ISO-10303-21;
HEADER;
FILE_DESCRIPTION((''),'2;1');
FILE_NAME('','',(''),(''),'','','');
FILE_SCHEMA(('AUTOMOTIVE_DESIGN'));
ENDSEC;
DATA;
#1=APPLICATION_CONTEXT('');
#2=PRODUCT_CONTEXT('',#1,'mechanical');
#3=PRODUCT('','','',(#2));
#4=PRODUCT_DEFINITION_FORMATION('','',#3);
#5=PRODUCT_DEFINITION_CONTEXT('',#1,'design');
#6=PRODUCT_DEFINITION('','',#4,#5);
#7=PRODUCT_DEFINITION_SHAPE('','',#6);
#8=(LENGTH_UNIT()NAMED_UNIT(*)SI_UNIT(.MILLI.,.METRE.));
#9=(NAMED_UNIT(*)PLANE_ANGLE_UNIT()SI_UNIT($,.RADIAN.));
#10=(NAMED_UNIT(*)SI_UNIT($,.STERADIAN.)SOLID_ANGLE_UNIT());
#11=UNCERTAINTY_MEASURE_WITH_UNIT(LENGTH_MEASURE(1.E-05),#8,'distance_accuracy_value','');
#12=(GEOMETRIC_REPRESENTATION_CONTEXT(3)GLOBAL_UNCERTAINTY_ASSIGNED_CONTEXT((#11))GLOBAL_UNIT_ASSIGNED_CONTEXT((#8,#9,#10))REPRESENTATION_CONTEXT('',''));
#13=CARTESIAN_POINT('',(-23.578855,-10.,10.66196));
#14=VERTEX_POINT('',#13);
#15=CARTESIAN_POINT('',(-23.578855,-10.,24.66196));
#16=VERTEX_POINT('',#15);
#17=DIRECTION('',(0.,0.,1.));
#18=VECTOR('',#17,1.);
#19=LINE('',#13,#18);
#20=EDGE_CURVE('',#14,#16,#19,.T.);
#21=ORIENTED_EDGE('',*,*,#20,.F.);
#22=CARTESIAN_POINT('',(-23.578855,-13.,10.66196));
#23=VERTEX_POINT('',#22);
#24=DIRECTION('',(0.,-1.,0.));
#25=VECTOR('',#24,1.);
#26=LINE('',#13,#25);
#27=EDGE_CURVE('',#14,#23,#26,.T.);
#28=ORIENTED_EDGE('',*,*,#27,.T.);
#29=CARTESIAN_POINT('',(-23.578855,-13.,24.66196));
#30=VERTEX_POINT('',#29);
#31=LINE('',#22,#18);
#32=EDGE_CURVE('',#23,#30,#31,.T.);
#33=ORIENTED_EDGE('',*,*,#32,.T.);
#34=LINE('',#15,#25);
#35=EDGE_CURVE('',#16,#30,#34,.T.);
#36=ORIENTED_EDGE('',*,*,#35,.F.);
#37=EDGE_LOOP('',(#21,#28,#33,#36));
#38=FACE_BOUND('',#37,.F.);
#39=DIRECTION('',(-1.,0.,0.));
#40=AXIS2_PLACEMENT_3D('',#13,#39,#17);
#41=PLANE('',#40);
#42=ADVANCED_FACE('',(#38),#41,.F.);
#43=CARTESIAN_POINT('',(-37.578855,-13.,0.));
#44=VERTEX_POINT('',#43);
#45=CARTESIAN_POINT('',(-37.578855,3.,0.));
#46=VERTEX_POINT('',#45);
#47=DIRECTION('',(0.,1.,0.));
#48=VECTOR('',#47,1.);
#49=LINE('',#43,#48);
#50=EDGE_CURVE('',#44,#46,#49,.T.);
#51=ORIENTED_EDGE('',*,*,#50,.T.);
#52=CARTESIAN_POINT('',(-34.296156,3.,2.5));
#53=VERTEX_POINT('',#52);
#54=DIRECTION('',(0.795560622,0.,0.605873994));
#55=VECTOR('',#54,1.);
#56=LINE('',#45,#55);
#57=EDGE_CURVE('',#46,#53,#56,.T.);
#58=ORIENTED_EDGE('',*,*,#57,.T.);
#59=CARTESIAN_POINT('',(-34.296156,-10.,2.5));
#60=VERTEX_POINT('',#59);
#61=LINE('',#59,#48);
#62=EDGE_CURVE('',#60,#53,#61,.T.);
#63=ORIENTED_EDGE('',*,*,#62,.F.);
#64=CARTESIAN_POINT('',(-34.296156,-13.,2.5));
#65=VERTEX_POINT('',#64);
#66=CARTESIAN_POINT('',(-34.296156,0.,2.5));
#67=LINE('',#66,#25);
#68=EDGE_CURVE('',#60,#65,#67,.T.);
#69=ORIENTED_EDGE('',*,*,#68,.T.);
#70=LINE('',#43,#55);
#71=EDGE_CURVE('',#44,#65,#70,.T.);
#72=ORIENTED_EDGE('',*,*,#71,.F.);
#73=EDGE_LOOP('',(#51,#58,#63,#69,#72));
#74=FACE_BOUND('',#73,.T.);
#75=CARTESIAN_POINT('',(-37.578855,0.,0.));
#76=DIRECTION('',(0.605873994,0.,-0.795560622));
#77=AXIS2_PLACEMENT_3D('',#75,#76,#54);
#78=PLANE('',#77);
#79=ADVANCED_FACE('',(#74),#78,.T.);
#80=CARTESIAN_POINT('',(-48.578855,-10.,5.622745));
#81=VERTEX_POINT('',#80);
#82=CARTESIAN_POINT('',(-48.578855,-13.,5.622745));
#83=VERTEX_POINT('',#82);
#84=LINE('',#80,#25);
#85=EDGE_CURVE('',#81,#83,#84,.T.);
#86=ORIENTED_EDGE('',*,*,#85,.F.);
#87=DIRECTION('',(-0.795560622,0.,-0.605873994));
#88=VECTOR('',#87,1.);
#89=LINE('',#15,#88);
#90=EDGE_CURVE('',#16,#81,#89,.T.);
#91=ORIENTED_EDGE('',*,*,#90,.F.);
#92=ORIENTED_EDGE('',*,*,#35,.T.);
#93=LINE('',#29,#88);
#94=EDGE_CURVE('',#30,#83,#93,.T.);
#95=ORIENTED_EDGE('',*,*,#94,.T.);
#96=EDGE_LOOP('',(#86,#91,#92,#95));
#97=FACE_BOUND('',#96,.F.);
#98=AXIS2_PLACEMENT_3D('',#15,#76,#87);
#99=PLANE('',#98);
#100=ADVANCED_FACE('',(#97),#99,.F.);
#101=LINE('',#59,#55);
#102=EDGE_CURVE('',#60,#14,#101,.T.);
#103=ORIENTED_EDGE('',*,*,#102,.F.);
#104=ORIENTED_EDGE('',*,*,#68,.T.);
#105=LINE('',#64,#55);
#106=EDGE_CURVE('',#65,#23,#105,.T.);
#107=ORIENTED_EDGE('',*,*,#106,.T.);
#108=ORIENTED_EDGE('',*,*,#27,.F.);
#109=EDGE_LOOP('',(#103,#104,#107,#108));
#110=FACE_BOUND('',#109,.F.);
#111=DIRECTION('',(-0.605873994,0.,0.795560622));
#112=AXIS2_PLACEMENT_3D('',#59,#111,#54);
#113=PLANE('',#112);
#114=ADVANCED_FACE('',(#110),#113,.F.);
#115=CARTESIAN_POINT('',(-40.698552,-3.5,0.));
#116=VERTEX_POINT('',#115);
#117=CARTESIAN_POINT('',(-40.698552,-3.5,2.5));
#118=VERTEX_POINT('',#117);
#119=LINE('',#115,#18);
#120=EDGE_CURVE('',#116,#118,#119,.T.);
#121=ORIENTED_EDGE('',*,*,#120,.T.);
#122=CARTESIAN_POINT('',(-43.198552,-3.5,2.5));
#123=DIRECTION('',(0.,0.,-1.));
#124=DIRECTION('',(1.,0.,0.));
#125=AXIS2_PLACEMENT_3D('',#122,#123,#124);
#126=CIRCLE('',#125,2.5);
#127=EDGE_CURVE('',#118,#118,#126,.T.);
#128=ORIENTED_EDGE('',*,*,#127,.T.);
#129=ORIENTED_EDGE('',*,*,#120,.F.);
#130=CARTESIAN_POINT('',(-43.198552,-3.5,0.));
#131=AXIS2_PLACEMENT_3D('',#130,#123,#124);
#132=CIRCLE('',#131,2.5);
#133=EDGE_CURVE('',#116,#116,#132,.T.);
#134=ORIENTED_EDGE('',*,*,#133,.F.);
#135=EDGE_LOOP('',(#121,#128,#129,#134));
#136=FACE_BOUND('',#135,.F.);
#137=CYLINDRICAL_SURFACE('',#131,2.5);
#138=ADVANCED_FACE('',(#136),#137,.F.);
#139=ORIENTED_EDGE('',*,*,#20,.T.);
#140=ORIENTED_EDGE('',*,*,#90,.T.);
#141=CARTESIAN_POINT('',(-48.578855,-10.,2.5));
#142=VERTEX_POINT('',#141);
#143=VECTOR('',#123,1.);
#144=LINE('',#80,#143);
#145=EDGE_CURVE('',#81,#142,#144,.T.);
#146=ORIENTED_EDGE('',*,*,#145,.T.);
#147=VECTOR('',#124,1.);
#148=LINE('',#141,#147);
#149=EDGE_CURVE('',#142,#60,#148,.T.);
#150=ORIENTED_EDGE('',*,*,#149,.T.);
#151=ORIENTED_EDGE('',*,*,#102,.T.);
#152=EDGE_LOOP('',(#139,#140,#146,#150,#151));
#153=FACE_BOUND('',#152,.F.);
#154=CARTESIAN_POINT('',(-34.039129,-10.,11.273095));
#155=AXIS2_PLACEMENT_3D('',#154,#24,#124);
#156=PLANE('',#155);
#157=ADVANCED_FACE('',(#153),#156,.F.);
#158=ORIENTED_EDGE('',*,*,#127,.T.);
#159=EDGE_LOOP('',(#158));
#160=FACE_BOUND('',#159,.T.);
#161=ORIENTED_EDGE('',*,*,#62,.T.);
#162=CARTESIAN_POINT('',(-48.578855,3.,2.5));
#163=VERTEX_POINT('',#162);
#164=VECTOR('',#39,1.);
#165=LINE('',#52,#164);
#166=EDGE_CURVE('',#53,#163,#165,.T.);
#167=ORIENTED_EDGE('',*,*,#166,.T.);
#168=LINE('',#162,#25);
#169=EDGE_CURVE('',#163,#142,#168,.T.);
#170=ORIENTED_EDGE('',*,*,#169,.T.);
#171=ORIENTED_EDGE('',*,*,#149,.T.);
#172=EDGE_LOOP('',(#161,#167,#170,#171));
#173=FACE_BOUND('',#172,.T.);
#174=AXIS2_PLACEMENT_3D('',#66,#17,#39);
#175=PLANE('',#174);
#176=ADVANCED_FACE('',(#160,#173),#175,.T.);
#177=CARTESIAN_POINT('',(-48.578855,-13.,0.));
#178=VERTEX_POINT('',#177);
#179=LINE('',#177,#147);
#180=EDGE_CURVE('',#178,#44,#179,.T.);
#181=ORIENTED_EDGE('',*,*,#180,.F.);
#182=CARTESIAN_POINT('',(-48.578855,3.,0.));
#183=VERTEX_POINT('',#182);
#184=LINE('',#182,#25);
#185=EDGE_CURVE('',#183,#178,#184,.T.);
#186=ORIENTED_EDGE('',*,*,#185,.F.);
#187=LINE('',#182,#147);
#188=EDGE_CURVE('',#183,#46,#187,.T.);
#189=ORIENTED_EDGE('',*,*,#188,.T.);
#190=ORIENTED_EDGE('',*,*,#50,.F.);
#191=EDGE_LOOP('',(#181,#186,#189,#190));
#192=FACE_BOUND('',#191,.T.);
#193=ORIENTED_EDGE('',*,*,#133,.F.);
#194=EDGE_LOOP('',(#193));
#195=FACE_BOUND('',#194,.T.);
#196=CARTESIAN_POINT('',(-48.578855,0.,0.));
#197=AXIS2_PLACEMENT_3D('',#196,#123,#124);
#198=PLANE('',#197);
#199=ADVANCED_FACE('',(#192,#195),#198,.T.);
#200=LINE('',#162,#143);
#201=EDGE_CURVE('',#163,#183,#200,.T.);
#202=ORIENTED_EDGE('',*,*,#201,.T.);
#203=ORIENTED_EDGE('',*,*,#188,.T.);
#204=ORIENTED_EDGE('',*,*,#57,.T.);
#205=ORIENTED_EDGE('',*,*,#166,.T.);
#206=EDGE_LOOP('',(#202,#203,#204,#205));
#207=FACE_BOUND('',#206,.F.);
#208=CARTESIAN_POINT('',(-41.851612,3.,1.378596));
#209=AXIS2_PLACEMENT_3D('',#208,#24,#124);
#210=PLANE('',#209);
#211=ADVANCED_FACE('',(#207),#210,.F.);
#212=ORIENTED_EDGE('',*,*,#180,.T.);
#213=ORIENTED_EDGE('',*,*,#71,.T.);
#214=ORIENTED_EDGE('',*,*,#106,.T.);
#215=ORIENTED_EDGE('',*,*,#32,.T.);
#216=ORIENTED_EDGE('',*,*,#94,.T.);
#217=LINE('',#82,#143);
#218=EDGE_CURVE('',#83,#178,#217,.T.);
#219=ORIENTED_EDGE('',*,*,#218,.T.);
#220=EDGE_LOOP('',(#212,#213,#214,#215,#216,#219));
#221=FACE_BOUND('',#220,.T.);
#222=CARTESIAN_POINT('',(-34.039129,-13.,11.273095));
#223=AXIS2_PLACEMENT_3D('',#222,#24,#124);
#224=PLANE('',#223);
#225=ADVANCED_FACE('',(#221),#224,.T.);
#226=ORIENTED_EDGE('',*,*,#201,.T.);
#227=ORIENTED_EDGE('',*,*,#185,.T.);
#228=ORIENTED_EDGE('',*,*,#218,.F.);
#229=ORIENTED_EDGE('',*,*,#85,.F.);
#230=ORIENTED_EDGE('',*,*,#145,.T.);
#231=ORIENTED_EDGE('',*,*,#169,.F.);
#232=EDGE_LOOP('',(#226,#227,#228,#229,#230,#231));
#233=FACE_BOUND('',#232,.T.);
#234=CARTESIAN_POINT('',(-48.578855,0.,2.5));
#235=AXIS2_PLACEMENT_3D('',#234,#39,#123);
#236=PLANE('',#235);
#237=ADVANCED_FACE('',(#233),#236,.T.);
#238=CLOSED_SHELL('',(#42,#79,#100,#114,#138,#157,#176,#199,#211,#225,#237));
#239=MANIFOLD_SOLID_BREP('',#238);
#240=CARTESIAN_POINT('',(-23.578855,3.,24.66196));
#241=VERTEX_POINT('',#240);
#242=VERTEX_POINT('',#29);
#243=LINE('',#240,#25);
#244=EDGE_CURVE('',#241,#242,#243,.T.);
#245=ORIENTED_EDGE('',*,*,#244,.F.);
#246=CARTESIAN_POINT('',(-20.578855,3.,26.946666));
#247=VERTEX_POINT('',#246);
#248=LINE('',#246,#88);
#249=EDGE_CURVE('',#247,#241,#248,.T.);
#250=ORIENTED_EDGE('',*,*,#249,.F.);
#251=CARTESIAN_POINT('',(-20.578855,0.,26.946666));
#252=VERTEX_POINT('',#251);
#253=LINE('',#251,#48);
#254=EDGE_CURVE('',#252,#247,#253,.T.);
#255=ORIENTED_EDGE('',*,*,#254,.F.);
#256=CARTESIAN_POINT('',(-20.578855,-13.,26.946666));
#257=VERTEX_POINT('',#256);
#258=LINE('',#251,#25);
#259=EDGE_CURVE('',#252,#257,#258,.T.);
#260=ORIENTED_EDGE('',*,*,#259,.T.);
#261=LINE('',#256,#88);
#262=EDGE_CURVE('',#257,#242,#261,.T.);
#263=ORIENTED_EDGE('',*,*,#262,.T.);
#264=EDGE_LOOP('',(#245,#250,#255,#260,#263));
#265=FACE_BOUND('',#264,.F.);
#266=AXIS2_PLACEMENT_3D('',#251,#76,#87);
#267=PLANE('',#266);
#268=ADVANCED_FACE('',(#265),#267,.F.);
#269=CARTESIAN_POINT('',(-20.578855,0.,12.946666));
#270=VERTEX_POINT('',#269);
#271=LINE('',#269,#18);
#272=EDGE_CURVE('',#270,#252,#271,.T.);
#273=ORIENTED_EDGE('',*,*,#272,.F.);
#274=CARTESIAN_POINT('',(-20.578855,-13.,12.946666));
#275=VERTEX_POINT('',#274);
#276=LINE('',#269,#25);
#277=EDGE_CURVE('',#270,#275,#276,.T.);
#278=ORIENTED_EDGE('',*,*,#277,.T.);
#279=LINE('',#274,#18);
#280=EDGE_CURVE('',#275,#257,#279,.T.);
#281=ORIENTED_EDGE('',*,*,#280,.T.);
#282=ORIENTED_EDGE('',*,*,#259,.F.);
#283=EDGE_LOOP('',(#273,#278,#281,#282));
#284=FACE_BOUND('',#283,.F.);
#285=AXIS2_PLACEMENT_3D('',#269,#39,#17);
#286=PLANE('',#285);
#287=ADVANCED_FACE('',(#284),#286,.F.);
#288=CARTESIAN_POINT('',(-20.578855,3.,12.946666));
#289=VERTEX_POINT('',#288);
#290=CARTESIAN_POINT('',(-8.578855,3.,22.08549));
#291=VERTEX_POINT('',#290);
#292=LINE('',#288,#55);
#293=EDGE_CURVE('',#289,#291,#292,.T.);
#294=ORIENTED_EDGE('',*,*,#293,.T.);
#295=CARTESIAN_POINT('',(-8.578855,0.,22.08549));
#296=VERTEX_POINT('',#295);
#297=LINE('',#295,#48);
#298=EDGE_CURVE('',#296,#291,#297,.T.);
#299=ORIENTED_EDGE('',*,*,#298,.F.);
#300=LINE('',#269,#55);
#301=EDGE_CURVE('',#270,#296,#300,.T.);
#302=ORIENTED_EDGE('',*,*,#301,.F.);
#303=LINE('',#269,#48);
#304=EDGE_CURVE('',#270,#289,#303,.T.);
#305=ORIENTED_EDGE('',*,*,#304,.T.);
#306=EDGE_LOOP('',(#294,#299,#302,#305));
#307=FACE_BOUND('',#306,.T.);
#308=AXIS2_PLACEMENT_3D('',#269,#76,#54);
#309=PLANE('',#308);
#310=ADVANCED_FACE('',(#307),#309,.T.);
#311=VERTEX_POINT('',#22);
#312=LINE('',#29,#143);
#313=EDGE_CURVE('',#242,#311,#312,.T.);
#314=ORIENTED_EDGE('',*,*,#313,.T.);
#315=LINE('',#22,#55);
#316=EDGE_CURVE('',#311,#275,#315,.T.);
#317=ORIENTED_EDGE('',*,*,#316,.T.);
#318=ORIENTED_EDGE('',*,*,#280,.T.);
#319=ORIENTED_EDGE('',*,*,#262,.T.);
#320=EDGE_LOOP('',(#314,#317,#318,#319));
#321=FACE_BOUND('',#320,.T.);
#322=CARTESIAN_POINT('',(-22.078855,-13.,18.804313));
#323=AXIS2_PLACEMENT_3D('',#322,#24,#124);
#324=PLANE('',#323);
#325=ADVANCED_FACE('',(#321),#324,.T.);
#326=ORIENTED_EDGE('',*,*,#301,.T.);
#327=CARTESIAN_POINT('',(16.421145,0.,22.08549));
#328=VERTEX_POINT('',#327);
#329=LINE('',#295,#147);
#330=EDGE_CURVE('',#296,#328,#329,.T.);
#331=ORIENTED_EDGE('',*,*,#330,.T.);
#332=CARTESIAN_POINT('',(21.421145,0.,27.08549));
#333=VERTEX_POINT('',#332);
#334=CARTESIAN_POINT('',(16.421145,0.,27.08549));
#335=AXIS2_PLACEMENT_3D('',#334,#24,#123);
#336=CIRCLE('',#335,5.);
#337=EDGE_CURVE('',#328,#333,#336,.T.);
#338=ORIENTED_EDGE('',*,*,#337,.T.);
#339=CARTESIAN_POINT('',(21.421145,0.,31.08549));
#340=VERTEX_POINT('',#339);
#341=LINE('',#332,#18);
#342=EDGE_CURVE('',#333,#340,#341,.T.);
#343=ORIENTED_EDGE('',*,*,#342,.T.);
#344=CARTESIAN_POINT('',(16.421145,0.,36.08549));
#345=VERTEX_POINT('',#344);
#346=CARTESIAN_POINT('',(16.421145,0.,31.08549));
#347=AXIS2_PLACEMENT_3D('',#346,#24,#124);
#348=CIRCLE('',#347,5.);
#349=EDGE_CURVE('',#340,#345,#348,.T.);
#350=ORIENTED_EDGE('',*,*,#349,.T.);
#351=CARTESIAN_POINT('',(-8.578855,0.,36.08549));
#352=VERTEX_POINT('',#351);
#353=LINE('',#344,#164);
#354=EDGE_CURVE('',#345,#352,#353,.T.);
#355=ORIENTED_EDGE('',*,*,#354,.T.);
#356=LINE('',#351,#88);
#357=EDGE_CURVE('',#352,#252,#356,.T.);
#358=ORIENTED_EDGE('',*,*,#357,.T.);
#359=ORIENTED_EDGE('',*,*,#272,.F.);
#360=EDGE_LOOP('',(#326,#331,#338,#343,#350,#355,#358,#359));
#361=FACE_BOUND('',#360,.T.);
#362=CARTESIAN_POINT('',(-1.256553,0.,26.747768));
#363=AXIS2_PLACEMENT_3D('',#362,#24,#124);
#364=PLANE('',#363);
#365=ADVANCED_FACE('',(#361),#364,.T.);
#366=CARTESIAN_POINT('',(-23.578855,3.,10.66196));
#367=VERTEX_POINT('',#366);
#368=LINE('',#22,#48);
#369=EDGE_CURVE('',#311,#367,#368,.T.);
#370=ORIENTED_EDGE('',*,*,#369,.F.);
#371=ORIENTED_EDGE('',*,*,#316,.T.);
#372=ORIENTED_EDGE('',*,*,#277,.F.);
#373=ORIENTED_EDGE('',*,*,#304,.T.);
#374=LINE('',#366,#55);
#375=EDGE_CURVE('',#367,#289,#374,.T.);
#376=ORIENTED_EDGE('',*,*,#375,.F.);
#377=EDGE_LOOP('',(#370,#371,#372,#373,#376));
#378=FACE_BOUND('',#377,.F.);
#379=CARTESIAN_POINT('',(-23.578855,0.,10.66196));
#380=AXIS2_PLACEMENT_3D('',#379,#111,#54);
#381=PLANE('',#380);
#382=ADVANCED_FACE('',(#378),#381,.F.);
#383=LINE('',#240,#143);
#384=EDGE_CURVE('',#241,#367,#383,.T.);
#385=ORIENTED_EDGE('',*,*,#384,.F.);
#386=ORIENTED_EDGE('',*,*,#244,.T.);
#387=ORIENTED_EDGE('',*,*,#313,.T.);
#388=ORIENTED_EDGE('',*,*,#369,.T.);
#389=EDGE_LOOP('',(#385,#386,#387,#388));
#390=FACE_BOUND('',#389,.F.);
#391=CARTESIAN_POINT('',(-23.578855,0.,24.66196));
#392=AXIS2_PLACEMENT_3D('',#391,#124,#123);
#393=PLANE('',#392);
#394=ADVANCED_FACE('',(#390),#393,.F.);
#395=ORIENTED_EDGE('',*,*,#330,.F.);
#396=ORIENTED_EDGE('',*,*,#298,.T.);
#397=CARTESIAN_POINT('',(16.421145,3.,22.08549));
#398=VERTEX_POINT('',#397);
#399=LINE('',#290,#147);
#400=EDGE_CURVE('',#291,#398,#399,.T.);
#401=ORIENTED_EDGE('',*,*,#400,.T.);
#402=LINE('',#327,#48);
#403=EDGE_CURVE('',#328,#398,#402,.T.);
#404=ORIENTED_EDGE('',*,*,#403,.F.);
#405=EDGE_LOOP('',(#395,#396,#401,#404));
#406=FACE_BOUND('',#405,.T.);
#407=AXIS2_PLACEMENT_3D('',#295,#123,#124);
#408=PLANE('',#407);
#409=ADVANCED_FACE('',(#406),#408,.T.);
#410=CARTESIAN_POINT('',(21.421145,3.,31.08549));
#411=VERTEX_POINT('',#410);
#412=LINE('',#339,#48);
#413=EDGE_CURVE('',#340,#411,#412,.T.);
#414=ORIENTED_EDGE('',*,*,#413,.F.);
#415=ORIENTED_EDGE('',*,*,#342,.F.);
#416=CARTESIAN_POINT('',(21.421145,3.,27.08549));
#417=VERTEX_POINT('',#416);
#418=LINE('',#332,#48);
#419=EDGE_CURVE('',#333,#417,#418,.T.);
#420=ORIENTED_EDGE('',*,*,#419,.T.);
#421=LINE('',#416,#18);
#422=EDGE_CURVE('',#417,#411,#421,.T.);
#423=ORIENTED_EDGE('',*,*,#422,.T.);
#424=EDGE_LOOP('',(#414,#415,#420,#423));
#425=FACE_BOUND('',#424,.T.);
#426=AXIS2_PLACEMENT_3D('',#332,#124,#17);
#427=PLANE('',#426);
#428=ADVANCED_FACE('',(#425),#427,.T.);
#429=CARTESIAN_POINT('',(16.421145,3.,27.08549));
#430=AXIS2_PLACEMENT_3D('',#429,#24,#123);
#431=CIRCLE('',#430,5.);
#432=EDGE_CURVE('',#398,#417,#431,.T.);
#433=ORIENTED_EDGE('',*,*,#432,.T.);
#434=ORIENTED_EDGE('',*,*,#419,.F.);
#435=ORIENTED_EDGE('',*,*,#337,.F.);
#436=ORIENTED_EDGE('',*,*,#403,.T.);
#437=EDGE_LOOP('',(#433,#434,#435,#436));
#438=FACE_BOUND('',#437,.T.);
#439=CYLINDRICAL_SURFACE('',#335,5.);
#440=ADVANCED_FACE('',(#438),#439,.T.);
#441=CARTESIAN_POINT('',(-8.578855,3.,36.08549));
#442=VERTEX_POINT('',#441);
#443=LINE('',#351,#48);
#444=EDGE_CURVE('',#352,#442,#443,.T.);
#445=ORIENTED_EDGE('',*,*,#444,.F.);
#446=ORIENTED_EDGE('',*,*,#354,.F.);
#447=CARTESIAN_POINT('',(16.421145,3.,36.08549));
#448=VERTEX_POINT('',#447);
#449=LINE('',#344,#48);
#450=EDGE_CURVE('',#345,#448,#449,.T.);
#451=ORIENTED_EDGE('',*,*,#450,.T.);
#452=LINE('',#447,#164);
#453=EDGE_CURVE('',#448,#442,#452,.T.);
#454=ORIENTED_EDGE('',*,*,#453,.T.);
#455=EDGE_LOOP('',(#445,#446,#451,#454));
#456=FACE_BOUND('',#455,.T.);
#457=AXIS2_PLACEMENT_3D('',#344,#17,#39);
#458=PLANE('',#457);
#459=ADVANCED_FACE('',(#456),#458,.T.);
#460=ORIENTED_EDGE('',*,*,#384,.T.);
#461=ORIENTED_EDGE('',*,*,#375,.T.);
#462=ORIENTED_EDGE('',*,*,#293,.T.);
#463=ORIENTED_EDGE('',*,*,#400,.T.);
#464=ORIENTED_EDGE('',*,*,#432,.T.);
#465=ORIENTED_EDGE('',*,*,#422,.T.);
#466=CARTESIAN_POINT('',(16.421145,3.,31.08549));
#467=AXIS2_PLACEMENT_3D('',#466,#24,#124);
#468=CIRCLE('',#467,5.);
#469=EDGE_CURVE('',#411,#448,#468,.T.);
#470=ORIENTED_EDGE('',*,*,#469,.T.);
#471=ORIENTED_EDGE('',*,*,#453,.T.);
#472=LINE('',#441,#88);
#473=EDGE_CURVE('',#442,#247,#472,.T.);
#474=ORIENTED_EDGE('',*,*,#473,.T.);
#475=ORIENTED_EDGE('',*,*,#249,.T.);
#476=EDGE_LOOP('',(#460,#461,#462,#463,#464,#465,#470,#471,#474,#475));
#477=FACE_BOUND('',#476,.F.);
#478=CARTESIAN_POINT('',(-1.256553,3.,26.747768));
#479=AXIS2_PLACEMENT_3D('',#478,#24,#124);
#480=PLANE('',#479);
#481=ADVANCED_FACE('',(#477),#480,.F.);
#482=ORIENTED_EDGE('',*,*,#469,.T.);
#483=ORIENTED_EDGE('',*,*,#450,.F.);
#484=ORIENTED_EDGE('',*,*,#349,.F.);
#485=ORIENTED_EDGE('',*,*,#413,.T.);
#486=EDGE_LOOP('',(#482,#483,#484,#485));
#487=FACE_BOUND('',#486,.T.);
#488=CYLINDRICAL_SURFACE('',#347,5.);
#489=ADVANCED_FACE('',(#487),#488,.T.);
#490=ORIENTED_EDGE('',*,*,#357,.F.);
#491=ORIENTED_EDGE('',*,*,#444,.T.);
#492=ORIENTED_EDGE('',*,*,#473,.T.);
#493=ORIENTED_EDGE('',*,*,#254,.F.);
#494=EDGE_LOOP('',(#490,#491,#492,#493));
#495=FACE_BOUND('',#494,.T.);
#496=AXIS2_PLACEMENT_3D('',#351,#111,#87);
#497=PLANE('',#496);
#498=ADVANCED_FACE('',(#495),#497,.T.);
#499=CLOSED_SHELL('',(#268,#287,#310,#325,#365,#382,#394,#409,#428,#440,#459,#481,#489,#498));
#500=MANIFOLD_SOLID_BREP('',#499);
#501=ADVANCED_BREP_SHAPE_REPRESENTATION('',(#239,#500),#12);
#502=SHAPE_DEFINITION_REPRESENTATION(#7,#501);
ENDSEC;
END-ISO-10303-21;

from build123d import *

# Parameters (mm, degrees)
F1_DEPTH = 3
F2_DEPTH = 13
F3_DEPTH = 13
F4_START = 10
F4_DEPTH = 3
F5_DEPTH = 3
F6_R     = 2.5
F7_DEPTH = 25


with BuildPart() as f1:
    # F0 (on Front) → F1 (new body)
    with BuildSketch(Plane.XZ):
        with BuildLine():
            Line((16.4211452901, 36.0854895675), (-8.5788547099, 36.0854895675))
            Line((-8.5788547099, 36.0854895675), (-20.5788547099, 26.9466662982))
            Line((-20.5788547099, 26.9466662982), (-20.5788547099, 12.9466662982))
            Line((-20.5788547099, 12.9466662982), (-8.5788547099, 22.0854895675))
            Line((-8.5788547099, 22.0854895675), (16.4211452901, 22.0854895675))
            ThreePointArc((16.4211452901, 22.0854895675), (19.9566791961, 23.5499556615), (21.4211452901, 27.0854895675))
            Line((21.4211452901, 27.0854895675), (21.4211452901, 31.0854895675))
            ThreePointArc((21.4211452901, 31.0854895675), (19.9566791961, 34.6210234734), (16.4211452901, 36.0854895675))
        make_face()
        Polygon((-20.5788547099, 12.9466662982), (-20.5788547099, 26.9466662982), (-23.5788547099, 24.6619604809), (-23.5788547099, 10.6619604809), align=None)
    extrude(amount=-F1_DEPTH)

    # F0 (on Front) → F2 (join)
    with BuildSketch(Plane.XZ):
        Polygon((-20.5788547099, 12.9466662982), (-20.5788547099, 26.9466662982), (-23.5788547099, 24.6619604809), (-23.5788547099, 10.6619604809), align=None)
    extrude(amount=F2_DEPTH)


with BuildPart() as f3:
    # F0 (on Front) → F3 (new body)
    with BuildSketch(Plane.XZ):
        Polygon((-34.2961563672, 2.5), (-48.5788547099, 2.5), (-48.5788547099, 0), (-37.5788547099, 0), align=None)
    extrude(amount=F3_DEPTH)

    # F0 (on Front) → F4 (join)
    with BuildSketch(Plane.XZ.offset(F4_START)):
        Polygon((-23.5788547099, 10.6619604809), (-23.5788547099, 24.6619604809), (-48.5788547099, 5.6227453365), (-48.5788547099, 2.5), (-34.2961563672, 2.5), align=None)
    extrude(amount=F4_DEPTH)

    # F0 (on Front) → F5 (join)
    with BuildSketch(Plane.XZ):
        Polygon((-34.2961563672, 2.5), (-48.5788547099, 2.5), (-48.5788547099, 0), (-37.5788547099, 0), align=None)
    extrude(amount=-F5_DEPTH)

    # F6 (on face) → F7 (cut)
    with BuildSketch(Plane(origin=(0, 0, 0), x_dir=(1, 0, 0), z_dir=(0, 0, -1))):
        with Locations((-43.1985519826, 3.5)):
            Circle(F6_R)
    extrude(amount=-F7_DEPTH, mode=Mode.SUBTRACT)


solid = Compound([f1.part, f3.part])
